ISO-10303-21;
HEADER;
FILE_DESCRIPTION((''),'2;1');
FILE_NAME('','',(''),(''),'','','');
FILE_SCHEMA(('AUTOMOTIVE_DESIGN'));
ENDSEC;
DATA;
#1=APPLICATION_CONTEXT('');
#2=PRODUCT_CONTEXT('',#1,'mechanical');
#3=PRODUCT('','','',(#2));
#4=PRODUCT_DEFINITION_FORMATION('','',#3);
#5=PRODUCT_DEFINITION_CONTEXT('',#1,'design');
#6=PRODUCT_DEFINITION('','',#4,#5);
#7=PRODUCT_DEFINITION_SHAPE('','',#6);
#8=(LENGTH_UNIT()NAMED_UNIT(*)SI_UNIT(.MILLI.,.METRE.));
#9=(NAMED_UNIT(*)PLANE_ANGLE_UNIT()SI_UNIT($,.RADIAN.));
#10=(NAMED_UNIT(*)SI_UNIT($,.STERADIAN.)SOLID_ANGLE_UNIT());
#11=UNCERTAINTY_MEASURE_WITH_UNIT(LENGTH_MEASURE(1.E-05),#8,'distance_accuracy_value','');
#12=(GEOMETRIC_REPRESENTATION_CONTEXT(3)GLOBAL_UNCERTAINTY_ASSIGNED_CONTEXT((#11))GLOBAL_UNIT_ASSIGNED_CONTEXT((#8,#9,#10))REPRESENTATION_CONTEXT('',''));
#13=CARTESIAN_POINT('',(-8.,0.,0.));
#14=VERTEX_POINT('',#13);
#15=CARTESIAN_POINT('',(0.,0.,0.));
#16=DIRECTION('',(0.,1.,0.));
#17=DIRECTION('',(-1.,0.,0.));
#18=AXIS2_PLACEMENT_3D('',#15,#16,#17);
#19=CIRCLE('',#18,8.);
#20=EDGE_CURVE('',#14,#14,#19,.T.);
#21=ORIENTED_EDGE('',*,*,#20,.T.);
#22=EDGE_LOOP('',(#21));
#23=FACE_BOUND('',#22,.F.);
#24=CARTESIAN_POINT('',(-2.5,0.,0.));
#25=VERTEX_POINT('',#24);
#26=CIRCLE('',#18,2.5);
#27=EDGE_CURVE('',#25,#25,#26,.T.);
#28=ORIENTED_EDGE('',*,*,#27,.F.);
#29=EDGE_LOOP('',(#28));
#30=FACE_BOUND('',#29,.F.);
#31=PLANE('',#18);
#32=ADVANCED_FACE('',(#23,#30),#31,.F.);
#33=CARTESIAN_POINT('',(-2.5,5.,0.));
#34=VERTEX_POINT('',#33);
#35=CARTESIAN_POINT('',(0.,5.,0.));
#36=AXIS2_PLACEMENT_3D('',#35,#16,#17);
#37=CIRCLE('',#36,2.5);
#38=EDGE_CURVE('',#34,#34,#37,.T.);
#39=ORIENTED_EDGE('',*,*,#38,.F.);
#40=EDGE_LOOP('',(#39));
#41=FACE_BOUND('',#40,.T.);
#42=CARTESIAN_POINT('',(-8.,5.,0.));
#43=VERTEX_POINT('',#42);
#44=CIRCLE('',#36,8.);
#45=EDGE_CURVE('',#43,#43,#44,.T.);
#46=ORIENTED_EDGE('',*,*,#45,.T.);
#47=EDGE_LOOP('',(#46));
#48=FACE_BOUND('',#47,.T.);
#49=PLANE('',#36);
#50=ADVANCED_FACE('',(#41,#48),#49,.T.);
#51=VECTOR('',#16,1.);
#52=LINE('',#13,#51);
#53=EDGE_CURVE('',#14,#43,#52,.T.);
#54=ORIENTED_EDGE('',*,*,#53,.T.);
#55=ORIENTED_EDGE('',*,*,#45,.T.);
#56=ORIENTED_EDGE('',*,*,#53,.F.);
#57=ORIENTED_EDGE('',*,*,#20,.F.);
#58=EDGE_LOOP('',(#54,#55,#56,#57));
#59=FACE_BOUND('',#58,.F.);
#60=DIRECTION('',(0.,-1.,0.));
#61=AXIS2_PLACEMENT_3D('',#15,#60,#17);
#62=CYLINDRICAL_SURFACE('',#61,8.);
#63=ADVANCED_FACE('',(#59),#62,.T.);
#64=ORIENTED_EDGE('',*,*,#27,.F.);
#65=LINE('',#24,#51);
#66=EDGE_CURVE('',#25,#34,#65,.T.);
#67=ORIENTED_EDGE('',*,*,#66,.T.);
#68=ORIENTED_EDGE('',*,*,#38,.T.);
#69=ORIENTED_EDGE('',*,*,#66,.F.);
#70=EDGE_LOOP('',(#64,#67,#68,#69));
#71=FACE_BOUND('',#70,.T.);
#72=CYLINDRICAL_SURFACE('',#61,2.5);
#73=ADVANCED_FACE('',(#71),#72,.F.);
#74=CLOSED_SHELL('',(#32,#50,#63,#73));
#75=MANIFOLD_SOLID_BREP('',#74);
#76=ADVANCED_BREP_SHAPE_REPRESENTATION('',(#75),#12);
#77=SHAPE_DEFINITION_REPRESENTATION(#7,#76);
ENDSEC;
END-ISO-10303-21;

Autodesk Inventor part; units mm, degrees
ref_plane "YZ Plane" through (0, 0, 0) normal (1, 0, 0) x (0, 1, 0)
ref_plane "XZ Plane" through (0, 0, 0) normal (0, 1, 0) x (-1, 0, 0)
ref_plane "XY Plane" through (0, 0, 0) normal (0, 0, 1) x (1, 0, 0)
sketch "Sketch1" plane through (0, 0, 0) normal (0, 1, 0) x (-1, 0, 0)
  circle A0 centre (0, 0) radius 2.5
  circle A1 centre (0, 0) radius 8
  dimension "d0" = 5
  dimension "d1" = 16
extrude "Extrusion1" add sketch "Sketch1" along normal blind 5
properties part number "625zz"
